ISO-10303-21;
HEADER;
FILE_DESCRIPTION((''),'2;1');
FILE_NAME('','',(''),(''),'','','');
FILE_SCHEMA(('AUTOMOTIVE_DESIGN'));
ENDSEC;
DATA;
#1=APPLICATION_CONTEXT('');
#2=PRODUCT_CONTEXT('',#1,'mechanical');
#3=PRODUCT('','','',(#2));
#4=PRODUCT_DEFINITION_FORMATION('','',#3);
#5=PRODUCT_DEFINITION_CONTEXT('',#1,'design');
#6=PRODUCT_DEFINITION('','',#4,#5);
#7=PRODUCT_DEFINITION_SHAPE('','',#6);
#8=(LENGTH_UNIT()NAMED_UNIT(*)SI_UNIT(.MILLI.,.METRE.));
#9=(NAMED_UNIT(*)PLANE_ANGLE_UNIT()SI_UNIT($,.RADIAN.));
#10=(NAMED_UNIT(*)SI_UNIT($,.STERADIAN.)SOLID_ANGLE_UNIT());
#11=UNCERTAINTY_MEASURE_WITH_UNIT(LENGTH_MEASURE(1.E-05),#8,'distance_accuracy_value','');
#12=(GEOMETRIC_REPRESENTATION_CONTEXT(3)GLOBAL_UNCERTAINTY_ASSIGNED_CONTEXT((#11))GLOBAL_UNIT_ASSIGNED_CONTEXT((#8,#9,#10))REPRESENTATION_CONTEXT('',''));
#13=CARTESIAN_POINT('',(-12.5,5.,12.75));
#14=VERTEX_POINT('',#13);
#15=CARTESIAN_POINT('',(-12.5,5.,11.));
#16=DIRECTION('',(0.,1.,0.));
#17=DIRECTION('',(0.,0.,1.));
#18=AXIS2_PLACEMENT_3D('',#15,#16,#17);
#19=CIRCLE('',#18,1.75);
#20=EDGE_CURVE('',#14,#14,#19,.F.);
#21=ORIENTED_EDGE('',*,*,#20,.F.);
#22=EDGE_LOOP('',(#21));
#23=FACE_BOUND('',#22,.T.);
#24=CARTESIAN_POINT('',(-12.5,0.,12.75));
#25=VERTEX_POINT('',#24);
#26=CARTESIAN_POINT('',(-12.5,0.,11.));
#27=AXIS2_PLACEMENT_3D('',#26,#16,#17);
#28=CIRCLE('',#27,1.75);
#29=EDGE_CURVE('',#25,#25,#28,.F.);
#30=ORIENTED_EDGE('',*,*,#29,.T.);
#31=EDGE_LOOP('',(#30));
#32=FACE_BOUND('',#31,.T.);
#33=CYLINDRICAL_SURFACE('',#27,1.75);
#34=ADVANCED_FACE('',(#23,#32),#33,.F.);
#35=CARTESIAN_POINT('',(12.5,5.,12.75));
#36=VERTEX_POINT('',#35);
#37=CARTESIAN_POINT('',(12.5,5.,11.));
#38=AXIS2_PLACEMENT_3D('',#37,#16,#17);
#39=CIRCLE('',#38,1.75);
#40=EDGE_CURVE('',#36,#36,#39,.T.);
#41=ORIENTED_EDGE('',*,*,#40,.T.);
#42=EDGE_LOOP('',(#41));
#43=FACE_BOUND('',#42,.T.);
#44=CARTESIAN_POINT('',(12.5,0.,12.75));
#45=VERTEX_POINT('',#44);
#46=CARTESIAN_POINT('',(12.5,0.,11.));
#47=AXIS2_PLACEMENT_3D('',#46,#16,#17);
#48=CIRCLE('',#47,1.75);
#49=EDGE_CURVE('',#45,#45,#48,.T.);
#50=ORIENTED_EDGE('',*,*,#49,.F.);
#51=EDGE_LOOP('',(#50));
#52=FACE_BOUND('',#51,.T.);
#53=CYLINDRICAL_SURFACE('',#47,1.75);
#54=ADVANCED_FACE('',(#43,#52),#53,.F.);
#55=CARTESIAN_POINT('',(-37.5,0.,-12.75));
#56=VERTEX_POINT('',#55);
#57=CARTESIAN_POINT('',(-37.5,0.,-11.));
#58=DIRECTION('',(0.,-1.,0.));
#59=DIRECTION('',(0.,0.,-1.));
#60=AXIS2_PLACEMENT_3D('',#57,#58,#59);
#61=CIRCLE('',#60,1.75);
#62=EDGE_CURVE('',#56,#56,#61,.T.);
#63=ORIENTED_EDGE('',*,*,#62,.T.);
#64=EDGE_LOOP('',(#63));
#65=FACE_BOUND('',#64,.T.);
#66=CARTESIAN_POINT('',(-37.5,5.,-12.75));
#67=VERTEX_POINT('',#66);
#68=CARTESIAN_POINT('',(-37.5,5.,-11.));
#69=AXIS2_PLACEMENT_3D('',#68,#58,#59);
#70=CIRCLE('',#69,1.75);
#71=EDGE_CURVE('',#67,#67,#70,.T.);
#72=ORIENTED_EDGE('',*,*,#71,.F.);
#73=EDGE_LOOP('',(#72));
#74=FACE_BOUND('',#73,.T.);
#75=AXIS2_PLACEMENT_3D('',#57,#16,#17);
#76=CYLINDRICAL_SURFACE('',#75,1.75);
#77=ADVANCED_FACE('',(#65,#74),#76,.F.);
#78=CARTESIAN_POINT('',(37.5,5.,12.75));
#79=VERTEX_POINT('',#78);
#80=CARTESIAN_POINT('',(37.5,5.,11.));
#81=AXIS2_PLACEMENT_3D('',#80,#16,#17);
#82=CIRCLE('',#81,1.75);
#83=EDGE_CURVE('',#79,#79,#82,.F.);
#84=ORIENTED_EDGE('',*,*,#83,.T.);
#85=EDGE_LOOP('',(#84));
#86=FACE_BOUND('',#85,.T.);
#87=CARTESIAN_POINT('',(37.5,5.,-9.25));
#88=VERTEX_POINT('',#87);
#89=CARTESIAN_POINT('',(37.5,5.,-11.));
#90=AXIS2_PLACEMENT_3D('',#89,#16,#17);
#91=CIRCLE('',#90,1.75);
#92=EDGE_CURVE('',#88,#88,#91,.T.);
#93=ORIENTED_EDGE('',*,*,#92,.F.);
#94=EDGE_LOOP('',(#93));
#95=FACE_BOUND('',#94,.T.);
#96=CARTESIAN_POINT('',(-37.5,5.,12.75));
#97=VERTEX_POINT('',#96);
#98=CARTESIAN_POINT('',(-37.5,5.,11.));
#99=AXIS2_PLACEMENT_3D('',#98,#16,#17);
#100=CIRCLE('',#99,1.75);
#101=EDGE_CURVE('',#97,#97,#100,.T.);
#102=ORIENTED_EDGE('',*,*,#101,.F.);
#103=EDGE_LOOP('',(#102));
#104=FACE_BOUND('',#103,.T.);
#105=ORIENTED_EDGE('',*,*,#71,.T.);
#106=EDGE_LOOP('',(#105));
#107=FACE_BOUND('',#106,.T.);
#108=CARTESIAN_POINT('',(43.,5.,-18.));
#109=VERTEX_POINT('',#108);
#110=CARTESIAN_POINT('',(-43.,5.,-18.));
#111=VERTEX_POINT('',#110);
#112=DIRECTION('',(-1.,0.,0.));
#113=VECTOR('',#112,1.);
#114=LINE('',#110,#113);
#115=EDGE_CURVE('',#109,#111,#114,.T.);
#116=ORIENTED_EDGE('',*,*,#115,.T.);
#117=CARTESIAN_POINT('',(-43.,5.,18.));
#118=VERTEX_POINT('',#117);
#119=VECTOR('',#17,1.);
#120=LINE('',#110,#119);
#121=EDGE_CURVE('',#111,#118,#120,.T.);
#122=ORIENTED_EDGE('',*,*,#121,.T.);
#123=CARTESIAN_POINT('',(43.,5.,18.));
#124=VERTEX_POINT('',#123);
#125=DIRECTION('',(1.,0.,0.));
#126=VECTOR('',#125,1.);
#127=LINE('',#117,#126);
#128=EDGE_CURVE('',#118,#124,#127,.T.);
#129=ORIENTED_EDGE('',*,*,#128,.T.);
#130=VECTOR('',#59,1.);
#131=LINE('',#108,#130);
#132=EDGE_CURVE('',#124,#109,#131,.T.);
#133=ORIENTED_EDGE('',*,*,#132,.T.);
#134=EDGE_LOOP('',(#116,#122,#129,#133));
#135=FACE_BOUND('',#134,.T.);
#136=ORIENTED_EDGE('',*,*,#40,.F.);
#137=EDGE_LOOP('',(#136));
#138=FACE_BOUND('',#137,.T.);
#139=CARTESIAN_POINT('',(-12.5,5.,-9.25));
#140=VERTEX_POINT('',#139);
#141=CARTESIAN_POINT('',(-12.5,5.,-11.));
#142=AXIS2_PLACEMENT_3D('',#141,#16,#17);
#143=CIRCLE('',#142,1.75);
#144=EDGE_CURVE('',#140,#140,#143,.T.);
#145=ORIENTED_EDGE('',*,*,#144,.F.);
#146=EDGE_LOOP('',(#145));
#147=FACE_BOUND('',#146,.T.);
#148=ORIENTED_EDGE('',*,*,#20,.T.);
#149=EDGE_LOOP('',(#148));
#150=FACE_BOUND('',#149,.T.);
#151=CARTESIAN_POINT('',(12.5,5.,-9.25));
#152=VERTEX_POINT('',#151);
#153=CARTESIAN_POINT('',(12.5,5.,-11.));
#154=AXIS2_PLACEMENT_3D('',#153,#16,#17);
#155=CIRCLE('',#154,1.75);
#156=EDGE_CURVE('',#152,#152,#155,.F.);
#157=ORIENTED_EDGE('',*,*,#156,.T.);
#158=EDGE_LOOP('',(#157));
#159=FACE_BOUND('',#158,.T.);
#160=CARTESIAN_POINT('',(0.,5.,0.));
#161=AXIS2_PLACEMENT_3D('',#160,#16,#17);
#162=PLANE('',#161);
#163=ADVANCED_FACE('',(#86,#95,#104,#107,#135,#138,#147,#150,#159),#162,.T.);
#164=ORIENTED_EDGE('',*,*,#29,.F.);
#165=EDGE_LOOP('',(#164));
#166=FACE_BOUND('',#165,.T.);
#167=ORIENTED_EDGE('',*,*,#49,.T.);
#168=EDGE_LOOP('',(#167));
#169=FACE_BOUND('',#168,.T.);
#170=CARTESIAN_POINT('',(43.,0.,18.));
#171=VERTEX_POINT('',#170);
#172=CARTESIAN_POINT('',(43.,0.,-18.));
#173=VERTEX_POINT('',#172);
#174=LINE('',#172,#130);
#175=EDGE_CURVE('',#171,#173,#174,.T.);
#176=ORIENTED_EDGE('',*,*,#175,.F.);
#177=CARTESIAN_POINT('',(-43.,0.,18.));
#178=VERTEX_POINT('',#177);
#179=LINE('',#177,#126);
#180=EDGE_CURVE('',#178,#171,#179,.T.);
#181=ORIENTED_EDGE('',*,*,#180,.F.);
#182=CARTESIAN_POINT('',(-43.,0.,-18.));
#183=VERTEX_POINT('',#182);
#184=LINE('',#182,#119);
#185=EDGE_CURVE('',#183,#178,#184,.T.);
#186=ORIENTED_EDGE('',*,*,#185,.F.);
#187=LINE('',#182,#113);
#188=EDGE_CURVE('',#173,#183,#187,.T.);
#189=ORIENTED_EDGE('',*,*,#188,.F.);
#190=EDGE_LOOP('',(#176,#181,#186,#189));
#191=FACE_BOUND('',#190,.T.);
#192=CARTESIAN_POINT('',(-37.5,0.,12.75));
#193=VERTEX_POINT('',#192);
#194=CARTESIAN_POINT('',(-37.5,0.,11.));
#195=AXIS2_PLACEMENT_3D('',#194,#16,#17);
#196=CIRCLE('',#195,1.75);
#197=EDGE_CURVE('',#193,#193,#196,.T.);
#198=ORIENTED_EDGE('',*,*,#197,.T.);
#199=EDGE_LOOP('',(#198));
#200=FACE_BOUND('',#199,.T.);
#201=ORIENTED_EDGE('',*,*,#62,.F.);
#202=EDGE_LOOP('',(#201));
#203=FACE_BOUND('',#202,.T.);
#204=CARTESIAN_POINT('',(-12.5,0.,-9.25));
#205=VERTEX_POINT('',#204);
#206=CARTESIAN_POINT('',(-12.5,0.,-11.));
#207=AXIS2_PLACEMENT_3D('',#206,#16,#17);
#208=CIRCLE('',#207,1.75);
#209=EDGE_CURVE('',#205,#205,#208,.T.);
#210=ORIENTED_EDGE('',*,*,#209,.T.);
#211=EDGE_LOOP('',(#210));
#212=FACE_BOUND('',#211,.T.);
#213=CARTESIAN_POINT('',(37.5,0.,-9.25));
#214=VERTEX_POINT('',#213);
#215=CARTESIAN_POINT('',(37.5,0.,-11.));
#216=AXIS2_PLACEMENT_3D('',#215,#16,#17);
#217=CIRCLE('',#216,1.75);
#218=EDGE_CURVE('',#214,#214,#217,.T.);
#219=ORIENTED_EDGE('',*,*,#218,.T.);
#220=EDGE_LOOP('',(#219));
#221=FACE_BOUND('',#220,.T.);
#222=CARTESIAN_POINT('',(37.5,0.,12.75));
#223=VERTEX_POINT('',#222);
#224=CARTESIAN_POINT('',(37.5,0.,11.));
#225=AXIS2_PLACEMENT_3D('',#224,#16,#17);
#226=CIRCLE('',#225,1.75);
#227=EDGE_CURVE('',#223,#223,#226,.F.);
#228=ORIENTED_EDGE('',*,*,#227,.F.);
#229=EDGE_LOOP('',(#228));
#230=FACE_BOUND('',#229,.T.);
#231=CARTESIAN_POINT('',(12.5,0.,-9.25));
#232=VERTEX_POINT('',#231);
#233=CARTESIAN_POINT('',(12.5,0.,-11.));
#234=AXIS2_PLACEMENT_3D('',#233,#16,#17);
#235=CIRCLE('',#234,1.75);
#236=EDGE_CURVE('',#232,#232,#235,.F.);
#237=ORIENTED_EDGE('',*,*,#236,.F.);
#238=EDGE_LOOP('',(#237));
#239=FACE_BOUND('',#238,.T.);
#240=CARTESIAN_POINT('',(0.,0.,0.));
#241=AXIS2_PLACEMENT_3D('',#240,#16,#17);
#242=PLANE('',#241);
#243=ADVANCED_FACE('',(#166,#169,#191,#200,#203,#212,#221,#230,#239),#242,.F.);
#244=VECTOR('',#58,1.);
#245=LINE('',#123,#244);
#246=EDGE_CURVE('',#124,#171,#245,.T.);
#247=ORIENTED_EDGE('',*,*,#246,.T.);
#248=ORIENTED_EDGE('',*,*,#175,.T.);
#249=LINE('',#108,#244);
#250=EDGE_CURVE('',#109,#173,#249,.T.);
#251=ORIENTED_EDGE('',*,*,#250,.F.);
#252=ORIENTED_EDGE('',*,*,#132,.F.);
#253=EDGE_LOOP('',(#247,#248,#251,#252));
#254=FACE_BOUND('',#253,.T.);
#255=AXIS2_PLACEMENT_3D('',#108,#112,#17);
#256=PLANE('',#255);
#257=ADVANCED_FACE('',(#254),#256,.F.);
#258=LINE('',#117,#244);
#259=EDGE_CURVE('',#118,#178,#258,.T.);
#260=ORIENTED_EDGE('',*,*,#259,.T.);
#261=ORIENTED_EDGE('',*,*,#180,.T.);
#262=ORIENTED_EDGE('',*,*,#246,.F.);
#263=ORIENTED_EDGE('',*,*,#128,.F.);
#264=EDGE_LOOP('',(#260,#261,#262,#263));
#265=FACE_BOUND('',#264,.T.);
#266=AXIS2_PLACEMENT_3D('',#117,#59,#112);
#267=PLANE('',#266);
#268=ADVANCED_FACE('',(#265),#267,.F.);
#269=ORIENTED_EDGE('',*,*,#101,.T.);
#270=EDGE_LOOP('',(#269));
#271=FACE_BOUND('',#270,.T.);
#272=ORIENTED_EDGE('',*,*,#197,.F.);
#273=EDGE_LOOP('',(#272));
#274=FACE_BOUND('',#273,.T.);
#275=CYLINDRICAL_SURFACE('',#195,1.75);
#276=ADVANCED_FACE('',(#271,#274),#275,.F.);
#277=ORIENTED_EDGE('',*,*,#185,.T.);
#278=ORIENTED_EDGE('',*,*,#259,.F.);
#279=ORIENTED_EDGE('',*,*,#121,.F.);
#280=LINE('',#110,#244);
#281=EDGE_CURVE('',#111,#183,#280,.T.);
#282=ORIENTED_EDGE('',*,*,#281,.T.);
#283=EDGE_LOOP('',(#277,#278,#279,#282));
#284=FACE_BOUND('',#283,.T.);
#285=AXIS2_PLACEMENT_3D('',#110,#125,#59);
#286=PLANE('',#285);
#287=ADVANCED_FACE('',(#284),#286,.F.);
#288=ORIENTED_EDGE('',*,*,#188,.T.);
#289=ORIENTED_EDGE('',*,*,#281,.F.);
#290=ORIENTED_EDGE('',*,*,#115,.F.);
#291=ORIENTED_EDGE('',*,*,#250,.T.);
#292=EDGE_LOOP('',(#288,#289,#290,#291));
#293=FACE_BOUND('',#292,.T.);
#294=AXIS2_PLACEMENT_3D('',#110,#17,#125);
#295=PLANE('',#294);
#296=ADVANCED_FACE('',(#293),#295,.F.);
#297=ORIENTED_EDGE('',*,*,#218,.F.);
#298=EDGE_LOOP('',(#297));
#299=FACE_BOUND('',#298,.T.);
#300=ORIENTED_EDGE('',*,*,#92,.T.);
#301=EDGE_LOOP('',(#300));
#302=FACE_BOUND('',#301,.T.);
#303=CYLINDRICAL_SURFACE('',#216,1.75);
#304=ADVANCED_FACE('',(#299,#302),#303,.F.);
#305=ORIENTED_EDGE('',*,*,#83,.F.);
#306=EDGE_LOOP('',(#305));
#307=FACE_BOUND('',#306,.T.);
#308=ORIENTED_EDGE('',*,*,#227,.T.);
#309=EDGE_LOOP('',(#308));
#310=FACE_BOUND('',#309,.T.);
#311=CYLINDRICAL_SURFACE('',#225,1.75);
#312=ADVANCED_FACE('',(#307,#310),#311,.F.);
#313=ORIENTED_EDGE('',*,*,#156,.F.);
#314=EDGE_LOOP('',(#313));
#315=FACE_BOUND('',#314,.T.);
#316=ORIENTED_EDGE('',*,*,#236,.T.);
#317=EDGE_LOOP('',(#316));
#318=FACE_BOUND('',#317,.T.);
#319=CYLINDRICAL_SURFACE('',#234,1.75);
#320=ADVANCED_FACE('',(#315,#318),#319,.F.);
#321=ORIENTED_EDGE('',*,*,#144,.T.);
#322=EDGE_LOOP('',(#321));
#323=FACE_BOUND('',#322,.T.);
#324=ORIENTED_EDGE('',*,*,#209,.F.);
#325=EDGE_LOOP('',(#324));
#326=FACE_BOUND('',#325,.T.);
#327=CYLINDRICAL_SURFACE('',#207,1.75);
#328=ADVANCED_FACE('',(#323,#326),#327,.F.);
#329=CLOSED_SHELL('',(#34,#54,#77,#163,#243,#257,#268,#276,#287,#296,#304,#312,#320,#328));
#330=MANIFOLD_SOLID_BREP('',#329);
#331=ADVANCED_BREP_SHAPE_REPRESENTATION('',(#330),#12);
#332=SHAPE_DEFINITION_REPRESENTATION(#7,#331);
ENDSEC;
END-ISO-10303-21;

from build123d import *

# Parameters (mm, degrees)
SKETCH_1_W          = 86
SKETCH_1_H          = 36
EXTRUDE_1_DEPTH     = 5
SKETCH_5_R          = 1.75
CUT_EXTRUDE_3_DEPTH = 6


with BuildPart() as part:
    # ｽｹｯﾁ1 → ﾎﾞｽ - 押し出し1 (new body)
    with BuildSketch(Plane(origin=(0, 0, 0), x_dir=(1, 0, 0), z_dir=(0, 1, 0))):
        Rectangle(SKETCH_1_W, SKETCH_1_H)
    extrude(amount=EXTRUDE_1_DEPTH)

    # ｽｹｯﾁ5 → ｶｯﾄ - 押し出し3 (cut, through all)
    with BuildSketch(Plane(origin=(0, 5, 0), x_dir=(1, 0, 0), z_dir=(0, 1, 0))):
        with Locations((37.5, -11)):
            Circle(SKETCH_5_R)
        with Locations((12.5, -11)):
            Circle(SKETCH_5_R)
        with Locations((37.5, 11)):
            Circle(SKETCH_5_R)
        with Locations((12.5, 11)):
            Circle(SKETCH_5_R)
        with Locations((-12.5, 11)):
            Circle(SKETCH_5_R)
        with Locations((-12.5, -11)):
            Circle(SKETCH_5_R)
        with Locations((-37.5, -11)):
            Circle(SKETCH_5_R)
        with Locations((-37.5, 11)):
            Circle(SKETCH_5_R)
    extrude(amount=-CUT_EXTRUDE_3_DEPTH, mode=Mode.SUBTRACT)


solid = part.part
